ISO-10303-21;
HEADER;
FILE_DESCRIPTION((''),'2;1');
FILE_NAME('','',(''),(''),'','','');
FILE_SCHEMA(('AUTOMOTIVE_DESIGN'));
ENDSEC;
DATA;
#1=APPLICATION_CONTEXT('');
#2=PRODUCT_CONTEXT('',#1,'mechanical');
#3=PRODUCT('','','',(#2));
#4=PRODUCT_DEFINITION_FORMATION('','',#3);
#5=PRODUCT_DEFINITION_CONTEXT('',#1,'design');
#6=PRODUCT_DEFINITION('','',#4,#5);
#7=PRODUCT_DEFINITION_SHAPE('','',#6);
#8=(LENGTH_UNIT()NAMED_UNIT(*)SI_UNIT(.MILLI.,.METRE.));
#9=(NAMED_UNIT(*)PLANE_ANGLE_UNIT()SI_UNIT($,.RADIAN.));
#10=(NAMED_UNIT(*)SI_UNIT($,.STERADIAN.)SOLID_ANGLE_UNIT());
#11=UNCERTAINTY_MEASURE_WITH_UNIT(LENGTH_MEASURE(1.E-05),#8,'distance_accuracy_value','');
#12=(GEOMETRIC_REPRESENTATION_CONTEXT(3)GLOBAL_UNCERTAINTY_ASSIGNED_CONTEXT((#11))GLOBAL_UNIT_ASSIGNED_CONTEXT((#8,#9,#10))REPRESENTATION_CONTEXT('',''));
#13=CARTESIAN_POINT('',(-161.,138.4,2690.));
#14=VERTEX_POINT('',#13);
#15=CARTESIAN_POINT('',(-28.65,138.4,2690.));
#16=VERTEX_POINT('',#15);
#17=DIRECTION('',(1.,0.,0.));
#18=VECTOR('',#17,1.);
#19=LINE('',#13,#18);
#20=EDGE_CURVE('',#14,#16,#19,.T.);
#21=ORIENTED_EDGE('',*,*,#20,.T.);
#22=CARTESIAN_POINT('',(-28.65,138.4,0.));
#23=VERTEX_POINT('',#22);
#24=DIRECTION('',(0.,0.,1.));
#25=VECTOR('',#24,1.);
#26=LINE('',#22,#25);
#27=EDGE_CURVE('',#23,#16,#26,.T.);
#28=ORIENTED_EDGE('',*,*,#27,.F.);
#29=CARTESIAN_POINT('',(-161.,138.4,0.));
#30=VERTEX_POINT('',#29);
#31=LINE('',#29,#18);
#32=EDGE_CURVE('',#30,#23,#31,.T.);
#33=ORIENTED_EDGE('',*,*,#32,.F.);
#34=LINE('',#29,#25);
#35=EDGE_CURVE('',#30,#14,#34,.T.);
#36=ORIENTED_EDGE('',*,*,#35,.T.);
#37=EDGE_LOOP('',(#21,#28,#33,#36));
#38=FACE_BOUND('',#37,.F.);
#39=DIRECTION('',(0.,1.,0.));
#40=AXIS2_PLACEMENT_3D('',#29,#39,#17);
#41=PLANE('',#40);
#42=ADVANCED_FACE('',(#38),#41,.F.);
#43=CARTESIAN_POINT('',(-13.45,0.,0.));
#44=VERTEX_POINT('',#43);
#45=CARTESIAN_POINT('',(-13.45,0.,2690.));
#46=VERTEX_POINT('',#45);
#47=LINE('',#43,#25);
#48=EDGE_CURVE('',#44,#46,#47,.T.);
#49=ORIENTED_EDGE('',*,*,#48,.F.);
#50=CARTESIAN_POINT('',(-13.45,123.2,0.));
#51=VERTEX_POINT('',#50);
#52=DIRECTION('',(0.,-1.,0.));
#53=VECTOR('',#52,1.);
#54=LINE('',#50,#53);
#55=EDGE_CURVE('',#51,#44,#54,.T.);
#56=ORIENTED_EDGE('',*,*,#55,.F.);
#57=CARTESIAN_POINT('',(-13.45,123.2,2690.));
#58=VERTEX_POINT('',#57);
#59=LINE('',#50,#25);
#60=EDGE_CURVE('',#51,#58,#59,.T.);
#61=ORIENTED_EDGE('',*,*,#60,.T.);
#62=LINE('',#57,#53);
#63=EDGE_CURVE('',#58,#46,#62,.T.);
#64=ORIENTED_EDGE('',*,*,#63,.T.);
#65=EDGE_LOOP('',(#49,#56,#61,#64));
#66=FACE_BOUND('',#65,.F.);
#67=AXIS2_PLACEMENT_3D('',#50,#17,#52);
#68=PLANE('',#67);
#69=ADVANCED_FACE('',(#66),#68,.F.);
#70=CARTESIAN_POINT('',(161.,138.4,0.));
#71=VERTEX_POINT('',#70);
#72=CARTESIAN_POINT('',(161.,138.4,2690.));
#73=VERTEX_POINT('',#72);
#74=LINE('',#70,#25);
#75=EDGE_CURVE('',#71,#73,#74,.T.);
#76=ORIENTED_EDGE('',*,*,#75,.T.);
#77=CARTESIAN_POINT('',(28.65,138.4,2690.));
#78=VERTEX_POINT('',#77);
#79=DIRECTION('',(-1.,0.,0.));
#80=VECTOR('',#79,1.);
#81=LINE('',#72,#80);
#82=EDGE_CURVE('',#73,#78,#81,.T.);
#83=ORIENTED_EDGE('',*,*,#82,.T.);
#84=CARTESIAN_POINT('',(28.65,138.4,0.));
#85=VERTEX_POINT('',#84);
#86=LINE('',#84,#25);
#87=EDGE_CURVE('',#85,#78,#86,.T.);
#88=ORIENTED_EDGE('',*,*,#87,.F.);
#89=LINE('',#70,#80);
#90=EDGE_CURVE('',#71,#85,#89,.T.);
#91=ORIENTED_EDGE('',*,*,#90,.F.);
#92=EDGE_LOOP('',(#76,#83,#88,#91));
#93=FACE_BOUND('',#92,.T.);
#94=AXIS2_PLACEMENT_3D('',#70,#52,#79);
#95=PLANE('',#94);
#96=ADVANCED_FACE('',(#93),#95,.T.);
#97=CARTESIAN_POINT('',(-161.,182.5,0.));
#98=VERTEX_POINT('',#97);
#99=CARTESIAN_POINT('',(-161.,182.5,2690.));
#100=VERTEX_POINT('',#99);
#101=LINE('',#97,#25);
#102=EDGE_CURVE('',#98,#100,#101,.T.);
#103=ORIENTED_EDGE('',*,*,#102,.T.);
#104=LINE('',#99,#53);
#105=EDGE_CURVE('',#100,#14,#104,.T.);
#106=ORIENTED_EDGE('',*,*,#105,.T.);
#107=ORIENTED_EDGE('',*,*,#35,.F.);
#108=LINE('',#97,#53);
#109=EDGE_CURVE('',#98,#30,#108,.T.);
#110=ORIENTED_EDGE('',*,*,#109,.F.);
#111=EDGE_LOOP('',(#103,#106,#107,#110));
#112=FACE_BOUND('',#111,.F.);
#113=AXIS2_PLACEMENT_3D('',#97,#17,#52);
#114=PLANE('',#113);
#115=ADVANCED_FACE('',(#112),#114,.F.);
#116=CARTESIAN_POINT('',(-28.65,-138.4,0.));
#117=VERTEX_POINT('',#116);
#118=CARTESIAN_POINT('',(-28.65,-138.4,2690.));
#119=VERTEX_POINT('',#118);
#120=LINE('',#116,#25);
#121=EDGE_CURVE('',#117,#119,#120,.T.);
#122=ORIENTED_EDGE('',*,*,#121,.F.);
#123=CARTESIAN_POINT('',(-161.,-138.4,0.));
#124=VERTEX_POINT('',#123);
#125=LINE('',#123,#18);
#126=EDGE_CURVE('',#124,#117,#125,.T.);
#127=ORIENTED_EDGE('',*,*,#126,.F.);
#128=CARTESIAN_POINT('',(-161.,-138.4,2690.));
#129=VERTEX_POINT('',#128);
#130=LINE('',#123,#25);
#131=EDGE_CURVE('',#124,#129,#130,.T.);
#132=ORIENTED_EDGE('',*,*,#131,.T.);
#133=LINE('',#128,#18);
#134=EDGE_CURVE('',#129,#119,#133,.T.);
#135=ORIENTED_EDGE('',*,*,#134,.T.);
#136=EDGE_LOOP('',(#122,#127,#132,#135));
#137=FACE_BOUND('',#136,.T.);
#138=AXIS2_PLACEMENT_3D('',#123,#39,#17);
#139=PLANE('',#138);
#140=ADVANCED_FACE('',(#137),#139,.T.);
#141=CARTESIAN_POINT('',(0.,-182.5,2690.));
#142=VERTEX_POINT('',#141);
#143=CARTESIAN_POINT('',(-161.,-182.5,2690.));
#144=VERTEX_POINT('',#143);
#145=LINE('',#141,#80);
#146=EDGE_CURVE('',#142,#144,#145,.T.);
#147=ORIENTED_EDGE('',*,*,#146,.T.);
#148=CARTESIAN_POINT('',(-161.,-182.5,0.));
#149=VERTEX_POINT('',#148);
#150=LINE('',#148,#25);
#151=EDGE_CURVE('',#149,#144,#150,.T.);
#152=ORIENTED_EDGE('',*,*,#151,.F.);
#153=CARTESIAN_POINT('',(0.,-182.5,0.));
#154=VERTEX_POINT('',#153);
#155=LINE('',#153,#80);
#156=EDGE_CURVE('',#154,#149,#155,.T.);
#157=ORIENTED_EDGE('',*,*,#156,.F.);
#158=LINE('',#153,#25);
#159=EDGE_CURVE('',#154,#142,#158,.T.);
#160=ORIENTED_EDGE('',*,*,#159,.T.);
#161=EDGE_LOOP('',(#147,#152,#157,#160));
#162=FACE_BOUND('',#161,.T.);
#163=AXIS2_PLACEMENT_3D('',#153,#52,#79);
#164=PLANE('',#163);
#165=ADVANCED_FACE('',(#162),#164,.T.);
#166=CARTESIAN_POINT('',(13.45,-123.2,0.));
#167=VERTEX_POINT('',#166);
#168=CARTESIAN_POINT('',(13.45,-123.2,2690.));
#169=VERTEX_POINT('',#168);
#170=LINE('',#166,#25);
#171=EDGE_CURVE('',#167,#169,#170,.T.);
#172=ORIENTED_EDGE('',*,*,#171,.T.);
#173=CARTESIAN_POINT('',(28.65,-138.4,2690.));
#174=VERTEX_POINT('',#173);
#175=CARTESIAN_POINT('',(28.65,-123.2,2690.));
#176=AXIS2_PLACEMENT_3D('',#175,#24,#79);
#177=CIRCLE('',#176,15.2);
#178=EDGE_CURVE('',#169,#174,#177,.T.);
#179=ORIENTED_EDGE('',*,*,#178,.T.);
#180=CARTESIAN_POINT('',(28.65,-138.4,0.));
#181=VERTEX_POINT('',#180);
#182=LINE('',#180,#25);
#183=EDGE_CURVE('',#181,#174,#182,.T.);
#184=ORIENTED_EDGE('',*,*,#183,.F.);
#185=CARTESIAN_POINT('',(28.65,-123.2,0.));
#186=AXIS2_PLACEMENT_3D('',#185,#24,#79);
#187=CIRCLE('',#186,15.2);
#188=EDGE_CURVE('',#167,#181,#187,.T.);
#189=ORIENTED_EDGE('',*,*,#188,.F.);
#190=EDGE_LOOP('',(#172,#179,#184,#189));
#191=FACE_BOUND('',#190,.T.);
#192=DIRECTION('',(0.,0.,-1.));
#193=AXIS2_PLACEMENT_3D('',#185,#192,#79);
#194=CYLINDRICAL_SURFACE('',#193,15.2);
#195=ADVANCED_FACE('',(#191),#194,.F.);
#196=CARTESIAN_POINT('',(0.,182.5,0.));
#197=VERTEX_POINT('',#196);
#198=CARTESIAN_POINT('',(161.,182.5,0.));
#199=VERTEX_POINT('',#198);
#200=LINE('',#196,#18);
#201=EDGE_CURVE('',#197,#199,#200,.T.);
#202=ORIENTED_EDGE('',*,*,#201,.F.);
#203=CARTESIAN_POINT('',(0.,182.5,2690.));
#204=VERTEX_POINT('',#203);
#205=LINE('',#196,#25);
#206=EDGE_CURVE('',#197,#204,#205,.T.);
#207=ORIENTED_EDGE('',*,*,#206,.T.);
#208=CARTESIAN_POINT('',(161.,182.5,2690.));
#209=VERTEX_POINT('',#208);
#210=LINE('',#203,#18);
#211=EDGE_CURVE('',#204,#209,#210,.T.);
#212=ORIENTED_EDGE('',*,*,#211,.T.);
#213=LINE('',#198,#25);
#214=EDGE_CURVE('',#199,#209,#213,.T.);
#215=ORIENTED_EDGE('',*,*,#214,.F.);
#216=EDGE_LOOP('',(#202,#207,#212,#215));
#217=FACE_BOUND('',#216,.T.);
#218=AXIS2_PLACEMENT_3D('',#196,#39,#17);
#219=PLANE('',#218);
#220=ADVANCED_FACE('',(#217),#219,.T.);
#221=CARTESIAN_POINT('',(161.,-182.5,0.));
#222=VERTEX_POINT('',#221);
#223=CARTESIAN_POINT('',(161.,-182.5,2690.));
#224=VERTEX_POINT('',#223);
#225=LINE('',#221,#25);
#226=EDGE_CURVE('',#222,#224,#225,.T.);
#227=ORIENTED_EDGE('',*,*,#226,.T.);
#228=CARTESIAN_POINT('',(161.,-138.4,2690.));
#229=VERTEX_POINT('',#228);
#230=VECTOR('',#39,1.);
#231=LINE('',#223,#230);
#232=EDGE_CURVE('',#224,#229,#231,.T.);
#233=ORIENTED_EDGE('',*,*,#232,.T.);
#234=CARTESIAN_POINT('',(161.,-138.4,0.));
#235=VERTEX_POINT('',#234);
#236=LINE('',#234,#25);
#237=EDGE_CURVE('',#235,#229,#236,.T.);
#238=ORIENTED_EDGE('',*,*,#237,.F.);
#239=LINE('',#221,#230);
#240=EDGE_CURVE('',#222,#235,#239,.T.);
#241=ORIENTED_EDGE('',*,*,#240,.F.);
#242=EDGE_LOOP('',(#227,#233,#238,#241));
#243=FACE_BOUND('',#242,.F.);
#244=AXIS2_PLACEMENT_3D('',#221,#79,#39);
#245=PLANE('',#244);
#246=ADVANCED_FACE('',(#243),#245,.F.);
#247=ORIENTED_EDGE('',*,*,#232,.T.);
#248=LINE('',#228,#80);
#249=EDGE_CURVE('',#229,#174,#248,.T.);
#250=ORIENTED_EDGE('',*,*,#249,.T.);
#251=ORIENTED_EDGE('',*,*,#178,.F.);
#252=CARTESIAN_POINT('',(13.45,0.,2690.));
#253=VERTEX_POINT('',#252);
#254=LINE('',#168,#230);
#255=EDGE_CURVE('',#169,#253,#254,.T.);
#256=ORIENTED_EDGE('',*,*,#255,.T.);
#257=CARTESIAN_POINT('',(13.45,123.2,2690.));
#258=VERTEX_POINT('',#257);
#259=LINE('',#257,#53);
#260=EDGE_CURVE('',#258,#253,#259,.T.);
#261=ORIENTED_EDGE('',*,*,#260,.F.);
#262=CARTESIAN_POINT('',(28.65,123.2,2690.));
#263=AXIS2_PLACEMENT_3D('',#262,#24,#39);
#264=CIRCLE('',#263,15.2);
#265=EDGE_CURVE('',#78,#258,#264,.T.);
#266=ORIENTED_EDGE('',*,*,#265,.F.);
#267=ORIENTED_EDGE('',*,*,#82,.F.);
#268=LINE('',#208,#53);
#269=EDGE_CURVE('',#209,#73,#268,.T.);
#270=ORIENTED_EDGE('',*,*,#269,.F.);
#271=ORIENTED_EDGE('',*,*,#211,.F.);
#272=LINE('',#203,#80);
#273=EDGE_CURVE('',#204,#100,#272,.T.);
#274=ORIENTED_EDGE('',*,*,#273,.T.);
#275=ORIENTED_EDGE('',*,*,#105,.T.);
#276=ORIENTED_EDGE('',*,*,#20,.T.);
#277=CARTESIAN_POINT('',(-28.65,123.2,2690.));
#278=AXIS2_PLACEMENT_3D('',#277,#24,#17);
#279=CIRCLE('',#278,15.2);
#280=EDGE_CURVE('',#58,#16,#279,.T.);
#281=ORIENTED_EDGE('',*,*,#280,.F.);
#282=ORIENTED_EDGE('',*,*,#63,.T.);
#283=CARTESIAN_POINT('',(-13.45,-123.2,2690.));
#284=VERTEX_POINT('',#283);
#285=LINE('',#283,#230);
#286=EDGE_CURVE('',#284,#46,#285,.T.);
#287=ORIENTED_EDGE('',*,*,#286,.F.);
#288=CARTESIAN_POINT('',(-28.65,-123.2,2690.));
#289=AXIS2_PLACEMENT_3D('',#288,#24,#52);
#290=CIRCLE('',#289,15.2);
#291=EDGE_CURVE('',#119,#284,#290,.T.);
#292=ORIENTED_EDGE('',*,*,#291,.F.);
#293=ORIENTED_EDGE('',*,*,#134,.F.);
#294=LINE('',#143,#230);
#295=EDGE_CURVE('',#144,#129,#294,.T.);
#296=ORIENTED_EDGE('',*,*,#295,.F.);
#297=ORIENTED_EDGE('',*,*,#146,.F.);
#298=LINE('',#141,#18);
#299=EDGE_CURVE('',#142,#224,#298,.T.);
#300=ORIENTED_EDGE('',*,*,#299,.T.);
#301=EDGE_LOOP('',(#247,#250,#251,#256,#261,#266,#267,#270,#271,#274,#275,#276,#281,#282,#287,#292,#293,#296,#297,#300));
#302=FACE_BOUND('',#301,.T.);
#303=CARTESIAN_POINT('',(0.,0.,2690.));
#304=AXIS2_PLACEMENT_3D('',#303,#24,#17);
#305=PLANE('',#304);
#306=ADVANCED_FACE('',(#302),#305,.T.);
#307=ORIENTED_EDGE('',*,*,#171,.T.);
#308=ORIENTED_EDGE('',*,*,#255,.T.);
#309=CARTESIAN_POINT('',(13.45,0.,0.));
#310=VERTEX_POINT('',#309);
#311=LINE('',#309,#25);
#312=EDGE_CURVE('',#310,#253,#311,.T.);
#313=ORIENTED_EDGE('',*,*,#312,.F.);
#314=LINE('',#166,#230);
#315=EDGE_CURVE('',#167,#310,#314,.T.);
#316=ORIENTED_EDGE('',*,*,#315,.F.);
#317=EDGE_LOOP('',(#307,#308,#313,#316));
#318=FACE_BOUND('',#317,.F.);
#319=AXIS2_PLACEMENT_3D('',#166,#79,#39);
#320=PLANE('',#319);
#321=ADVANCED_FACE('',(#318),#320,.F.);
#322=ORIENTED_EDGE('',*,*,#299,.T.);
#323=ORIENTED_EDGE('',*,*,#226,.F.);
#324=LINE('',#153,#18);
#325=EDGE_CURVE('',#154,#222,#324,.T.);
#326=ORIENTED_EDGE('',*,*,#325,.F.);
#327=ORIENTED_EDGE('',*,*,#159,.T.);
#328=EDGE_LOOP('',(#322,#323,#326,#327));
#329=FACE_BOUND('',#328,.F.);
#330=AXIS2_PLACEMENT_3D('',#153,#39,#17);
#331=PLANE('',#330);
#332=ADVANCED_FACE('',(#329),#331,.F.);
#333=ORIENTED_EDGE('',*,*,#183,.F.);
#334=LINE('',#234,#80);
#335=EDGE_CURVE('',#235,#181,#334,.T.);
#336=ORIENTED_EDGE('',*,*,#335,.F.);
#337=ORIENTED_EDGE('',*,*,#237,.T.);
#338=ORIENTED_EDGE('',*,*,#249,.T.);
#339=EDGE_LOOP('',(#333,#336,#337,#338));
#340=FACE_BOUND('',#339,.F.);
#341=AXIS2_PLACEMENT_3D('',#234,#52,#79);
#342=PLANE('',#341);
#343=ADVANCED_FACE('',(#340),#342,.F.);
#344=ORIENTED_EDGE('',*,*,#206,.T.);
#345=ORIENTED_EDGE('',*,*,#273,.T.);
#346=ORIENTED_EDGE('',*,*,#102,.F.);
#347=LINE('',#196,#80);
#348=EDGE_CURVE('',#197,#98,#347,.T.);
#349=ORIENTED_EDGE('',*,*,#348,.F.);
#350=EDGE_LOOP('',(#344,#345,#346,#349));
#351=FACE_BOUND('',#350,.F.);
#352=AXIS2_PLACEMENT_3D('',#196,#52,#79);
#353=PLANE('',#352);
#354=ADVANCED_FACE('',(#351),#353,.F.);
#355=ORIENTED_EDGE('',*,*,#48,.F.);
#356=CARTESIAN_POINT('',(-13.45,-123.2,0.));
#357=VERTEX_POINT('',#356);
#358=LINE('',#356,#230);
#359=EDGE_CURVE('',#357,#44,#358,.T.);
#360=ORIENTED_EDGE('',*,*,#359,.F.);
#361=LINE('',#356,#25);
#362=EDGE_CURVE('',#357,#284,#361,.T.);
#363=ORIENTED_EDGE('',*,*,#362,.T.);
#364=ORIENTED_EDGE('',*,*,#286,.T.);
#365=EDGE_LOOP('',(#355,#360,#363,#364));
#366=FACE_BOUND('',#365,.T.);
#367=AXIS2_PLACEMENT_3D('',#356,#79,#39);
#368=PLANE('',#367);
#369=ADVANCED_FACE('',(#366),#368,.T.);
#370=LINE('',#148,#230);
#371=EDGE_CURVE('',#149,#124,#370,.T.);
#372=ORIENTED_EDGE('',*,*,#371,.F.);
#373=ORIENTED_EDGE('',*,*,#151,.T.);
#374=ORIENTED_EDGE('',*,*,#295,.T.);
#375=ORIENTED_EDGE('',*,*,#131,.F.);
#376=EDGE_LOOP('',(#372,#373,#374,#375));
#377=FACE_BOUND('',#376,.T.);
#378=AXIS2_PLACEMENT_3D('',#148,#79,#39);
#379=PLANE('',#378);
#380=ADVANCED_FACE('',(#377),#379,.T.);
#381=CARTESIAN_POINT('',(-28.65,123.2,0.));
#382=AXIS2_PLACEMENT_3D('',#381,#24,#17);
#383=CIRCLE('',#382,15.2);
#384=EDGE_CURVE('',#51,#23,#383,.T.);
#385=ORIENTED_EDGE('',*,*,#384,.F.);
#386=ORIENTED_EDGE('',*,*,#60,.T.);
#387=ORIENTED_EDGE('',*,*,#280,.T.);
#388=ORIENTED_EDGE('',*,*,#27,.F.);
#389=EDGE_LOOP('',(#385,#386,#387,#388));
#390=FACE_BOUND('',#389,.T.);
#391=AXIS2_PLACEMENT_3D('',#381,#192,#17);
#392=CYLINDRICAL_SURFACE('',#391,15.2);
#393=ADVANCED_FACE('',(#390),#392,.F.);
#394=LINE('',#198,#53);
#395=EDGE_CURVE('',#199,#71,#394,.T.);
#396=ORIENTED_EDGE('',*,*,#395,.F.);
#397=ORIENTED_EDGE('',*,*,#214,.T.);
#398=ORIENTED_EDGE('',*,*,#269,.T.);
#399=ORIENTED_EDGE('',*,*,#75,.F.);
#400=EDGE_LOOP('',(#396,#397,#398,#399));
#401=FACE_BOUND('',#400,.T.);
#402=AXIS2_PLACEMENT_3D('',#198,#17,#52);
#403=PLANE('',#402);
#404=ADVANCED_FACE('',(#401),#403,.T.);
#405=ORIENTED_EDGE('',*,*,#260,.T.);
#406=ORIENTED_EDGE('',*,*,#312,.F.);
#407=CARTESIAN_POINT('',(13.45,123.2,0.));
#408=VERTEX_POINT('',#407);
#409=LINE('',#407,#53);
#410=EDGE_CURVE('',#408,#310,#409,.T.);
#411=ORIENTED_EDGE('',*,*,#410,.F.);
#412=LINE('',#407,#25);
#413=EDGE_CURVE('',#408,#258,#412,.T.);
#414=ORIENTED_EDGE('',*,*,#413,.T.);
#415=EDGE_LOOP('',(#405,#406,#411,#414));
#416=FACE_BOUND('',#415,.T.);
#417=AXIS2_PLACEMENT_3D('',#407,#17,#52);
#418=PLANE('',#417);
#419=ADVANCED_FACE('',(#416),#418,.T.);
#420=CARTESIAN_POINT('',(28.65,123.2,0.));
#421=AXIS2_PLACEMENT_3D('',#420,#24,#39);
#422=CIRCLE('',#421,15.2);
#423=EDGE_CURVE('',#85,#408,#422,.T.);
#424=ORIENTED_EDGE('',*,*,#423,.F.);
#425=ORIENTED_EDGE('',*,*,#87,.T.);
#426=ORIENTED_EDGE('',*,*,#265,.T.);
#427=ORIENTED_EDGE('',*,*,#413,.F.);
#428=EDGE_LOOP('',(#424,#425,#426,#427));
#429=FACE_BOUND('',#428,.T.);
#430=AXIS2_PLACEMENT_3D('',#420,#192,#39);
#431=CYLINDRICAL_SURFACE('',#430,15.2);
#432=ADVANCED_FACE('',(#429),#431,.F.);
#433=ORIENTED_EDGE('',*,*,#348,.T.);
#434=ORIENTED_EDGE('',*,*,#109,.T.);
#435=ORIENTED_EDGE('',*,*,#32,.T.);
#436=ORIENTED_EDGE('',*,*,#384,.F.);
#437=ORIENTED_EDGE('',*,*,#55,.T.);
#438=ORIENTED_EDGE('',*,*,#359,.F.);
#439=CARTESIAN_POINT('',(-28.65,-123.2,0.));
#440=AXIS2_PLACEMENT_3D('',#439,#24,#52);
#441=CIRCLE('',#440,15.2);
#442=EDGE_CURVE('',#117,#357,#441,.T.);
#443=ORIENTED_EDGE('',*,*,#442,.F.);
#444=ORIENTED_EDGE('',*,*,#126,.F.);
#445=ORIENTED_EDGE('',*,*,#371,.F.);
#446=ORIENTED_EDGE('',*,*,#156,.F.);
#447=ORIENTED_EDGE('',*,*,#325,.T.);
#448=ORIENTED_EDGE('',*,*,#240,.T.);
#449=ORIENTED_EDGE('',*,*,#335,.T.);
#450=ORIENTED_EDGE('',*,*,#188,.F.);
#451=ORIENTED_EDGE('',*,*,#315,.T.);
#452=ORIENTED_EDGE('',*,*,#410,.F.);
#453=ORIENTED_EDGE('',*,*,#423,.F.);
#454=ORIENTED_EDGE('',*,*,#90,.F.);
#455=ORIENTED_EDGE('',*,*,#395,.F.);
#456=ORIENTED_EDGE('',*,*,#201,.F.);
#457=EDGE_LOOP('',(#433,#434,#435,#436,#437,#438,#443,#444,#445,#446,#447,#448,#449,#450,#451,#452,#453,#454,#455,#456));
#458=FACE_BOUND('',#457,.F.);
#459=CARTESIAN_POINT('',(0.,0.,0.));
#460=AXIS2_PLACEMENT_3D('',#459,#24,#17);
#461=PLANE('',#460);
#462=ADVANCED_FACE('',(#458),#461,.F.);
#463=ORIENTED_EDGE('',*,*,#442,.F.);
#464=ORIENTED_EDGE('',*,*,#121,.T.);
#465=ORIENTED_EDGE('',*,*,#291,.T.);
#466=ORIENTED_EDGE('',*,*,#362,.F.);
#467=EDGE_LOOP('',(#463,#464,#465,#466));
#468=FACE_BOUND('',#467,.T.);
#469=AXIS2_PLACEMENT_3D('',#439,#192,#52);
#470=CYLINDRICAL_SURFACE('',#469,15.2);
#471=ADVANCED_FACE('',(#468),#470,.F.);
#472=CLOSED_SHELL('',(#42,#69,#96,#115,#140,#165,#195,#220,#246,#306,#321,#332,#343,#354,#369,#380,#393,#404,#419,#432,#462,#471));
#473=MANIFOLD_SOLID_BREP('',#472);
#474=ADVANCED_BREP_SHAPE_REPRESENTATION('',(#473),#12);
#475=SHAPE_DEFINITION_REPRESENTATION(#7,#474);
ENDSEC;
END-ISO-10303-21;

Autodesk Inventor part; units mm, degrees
ref_plane "YZ Plane" through (0, 0, 0) normal (1, 0, 0) x (0, 1, 0)
ref_plane "Start plane" through (0, 0, 0) normal (0, 0, 1) x (1, 0, 0)
ref_plane "End plane" through (0, 0, 2690) normal (0, 0, 1) x (1, 0, 0)
sketch "Sketch" plane through (0, 0, 0) normal (0, 0, 1) x (1, 0, 0)
  line L0 (-161, -182.5) -> (-161, -138.4)
  line L1 (-161, -138.4) -> (-28.65, -138.4)
  line L2 (-13.45, -123.2) -> (-13.45, 0)
  line L3 (-13.45, 0) -> (0, 0) construction
  line L4 (0, 0) -> (0, -182.5) construction
  line L5 (0, -182.5) -> (-161, -182.5)
  line L6 (-60, 0) -> (80, 0) construction
  line L7 (0, -60) -> (0, 80) construction
  line L8 (161, -182.5) -> (161, -138.4)
  line L9 (161, -138.4) -> (28.65, -138.4)
  line L10 (13.45, -123.2) -> (13.45, 0)
  line L11 (13.45, 0) -> (0, 0) construction
  line L12 (0, -182.5) -> (161, -182.5)
  line L13 (-161, 182.5) -> (-161, 138.4)
  line L14 (-161, 138.4) -> (-28.65, 138.4)
  line L15 (-13.45, 123.2) -> (-13.45, 0)
  line L16 (0, 182.5) -> (-161, 182.5)
  line L17 (161, 182.5) -> (161, 138.4)
  line L18 (161, 138.4) -> (28.65, 138.4)
  line L19 (0, 182.5) -> (161, 182.5)
  line L20 (13.45, 123.2) -> (13.45, 0)
  arc A0 (-13.45, 123.2) -> (-28.65, 138.4) centre (-28.65, 123.2) ccw
  arc A1 (28.65, 138.4) -> (13.45, 123.2) centre (28.65, 123.2) ccw
  arc A2 (13.45, -123.2) -> (28.65, -138.4) centre (28.65, -123.2) ccw
  arc A3 (-28.65, -138.4) -> (-13.45, -123.2) centre (-28.65, -123.2) ccw
  line L21 (0, 108) -> (0, -88) construction
  line L22 (-88, 0) -> (108, 0) construction
  point P0 (-13.45, -138.4)
  point P1 (13.45, -138.4)
  point P2 (-13.45, 138.4)
  point P3 (13.45, 138.4)
  dimension "d1" = 182.5
  dimension "d2" = 44.1
  dimension "d3" = 161
  dimension "d4" = 13.45
  dimension "d10" = 15.2
extrude "Body" add sketch "Sketch" along normal up to surface (2690 mm away) from surface at 0
sketch "Sketch4" plane through (0, 0, 0) normal (0, 0, 1) x (1, 0, 0)
  line L0 (0, 0) -> (10, 0)
ref_plane "Work Plane3" through (0, 0, 0) normal (0, -1, 0) x (1, 0, 0)
sketch "Sketch5" plane through (0, 0, 0) normal (0, -1, 0) x (1, 0, 0)
  line L0 (-2, 0) -> (12, 0) projected
  line L1 (-2, 2690) -> (12, 2690) projected
  dimension "d14" = 2690
equation "\"d1\" = 0.5 * G_H"
equation "\"d2\" = G_T1"
equation "\"d3\" = 0.5 * G_W"
equation "\"d4\" = 0.5 * G_T"
equation "\"d10\" = G_IR"
equation "\"d5\" = G_L"
equation "\"G_W\" = 322"
equation "\"G_H\" = 365"
equation "\"G_T\" = 26.9"
equation "\"G_T1\" = 44.1"
equation "\"G_IR\" = 15.2"
equation "\"G_L\" = d14"
equation "\"G_OFFSET_START\" = 0"
equation "\"G_OFFSET_END\" = 0"
properties part number "AS 3679 - 310 UC - 283 - 2690" material "Steel, Mild"
